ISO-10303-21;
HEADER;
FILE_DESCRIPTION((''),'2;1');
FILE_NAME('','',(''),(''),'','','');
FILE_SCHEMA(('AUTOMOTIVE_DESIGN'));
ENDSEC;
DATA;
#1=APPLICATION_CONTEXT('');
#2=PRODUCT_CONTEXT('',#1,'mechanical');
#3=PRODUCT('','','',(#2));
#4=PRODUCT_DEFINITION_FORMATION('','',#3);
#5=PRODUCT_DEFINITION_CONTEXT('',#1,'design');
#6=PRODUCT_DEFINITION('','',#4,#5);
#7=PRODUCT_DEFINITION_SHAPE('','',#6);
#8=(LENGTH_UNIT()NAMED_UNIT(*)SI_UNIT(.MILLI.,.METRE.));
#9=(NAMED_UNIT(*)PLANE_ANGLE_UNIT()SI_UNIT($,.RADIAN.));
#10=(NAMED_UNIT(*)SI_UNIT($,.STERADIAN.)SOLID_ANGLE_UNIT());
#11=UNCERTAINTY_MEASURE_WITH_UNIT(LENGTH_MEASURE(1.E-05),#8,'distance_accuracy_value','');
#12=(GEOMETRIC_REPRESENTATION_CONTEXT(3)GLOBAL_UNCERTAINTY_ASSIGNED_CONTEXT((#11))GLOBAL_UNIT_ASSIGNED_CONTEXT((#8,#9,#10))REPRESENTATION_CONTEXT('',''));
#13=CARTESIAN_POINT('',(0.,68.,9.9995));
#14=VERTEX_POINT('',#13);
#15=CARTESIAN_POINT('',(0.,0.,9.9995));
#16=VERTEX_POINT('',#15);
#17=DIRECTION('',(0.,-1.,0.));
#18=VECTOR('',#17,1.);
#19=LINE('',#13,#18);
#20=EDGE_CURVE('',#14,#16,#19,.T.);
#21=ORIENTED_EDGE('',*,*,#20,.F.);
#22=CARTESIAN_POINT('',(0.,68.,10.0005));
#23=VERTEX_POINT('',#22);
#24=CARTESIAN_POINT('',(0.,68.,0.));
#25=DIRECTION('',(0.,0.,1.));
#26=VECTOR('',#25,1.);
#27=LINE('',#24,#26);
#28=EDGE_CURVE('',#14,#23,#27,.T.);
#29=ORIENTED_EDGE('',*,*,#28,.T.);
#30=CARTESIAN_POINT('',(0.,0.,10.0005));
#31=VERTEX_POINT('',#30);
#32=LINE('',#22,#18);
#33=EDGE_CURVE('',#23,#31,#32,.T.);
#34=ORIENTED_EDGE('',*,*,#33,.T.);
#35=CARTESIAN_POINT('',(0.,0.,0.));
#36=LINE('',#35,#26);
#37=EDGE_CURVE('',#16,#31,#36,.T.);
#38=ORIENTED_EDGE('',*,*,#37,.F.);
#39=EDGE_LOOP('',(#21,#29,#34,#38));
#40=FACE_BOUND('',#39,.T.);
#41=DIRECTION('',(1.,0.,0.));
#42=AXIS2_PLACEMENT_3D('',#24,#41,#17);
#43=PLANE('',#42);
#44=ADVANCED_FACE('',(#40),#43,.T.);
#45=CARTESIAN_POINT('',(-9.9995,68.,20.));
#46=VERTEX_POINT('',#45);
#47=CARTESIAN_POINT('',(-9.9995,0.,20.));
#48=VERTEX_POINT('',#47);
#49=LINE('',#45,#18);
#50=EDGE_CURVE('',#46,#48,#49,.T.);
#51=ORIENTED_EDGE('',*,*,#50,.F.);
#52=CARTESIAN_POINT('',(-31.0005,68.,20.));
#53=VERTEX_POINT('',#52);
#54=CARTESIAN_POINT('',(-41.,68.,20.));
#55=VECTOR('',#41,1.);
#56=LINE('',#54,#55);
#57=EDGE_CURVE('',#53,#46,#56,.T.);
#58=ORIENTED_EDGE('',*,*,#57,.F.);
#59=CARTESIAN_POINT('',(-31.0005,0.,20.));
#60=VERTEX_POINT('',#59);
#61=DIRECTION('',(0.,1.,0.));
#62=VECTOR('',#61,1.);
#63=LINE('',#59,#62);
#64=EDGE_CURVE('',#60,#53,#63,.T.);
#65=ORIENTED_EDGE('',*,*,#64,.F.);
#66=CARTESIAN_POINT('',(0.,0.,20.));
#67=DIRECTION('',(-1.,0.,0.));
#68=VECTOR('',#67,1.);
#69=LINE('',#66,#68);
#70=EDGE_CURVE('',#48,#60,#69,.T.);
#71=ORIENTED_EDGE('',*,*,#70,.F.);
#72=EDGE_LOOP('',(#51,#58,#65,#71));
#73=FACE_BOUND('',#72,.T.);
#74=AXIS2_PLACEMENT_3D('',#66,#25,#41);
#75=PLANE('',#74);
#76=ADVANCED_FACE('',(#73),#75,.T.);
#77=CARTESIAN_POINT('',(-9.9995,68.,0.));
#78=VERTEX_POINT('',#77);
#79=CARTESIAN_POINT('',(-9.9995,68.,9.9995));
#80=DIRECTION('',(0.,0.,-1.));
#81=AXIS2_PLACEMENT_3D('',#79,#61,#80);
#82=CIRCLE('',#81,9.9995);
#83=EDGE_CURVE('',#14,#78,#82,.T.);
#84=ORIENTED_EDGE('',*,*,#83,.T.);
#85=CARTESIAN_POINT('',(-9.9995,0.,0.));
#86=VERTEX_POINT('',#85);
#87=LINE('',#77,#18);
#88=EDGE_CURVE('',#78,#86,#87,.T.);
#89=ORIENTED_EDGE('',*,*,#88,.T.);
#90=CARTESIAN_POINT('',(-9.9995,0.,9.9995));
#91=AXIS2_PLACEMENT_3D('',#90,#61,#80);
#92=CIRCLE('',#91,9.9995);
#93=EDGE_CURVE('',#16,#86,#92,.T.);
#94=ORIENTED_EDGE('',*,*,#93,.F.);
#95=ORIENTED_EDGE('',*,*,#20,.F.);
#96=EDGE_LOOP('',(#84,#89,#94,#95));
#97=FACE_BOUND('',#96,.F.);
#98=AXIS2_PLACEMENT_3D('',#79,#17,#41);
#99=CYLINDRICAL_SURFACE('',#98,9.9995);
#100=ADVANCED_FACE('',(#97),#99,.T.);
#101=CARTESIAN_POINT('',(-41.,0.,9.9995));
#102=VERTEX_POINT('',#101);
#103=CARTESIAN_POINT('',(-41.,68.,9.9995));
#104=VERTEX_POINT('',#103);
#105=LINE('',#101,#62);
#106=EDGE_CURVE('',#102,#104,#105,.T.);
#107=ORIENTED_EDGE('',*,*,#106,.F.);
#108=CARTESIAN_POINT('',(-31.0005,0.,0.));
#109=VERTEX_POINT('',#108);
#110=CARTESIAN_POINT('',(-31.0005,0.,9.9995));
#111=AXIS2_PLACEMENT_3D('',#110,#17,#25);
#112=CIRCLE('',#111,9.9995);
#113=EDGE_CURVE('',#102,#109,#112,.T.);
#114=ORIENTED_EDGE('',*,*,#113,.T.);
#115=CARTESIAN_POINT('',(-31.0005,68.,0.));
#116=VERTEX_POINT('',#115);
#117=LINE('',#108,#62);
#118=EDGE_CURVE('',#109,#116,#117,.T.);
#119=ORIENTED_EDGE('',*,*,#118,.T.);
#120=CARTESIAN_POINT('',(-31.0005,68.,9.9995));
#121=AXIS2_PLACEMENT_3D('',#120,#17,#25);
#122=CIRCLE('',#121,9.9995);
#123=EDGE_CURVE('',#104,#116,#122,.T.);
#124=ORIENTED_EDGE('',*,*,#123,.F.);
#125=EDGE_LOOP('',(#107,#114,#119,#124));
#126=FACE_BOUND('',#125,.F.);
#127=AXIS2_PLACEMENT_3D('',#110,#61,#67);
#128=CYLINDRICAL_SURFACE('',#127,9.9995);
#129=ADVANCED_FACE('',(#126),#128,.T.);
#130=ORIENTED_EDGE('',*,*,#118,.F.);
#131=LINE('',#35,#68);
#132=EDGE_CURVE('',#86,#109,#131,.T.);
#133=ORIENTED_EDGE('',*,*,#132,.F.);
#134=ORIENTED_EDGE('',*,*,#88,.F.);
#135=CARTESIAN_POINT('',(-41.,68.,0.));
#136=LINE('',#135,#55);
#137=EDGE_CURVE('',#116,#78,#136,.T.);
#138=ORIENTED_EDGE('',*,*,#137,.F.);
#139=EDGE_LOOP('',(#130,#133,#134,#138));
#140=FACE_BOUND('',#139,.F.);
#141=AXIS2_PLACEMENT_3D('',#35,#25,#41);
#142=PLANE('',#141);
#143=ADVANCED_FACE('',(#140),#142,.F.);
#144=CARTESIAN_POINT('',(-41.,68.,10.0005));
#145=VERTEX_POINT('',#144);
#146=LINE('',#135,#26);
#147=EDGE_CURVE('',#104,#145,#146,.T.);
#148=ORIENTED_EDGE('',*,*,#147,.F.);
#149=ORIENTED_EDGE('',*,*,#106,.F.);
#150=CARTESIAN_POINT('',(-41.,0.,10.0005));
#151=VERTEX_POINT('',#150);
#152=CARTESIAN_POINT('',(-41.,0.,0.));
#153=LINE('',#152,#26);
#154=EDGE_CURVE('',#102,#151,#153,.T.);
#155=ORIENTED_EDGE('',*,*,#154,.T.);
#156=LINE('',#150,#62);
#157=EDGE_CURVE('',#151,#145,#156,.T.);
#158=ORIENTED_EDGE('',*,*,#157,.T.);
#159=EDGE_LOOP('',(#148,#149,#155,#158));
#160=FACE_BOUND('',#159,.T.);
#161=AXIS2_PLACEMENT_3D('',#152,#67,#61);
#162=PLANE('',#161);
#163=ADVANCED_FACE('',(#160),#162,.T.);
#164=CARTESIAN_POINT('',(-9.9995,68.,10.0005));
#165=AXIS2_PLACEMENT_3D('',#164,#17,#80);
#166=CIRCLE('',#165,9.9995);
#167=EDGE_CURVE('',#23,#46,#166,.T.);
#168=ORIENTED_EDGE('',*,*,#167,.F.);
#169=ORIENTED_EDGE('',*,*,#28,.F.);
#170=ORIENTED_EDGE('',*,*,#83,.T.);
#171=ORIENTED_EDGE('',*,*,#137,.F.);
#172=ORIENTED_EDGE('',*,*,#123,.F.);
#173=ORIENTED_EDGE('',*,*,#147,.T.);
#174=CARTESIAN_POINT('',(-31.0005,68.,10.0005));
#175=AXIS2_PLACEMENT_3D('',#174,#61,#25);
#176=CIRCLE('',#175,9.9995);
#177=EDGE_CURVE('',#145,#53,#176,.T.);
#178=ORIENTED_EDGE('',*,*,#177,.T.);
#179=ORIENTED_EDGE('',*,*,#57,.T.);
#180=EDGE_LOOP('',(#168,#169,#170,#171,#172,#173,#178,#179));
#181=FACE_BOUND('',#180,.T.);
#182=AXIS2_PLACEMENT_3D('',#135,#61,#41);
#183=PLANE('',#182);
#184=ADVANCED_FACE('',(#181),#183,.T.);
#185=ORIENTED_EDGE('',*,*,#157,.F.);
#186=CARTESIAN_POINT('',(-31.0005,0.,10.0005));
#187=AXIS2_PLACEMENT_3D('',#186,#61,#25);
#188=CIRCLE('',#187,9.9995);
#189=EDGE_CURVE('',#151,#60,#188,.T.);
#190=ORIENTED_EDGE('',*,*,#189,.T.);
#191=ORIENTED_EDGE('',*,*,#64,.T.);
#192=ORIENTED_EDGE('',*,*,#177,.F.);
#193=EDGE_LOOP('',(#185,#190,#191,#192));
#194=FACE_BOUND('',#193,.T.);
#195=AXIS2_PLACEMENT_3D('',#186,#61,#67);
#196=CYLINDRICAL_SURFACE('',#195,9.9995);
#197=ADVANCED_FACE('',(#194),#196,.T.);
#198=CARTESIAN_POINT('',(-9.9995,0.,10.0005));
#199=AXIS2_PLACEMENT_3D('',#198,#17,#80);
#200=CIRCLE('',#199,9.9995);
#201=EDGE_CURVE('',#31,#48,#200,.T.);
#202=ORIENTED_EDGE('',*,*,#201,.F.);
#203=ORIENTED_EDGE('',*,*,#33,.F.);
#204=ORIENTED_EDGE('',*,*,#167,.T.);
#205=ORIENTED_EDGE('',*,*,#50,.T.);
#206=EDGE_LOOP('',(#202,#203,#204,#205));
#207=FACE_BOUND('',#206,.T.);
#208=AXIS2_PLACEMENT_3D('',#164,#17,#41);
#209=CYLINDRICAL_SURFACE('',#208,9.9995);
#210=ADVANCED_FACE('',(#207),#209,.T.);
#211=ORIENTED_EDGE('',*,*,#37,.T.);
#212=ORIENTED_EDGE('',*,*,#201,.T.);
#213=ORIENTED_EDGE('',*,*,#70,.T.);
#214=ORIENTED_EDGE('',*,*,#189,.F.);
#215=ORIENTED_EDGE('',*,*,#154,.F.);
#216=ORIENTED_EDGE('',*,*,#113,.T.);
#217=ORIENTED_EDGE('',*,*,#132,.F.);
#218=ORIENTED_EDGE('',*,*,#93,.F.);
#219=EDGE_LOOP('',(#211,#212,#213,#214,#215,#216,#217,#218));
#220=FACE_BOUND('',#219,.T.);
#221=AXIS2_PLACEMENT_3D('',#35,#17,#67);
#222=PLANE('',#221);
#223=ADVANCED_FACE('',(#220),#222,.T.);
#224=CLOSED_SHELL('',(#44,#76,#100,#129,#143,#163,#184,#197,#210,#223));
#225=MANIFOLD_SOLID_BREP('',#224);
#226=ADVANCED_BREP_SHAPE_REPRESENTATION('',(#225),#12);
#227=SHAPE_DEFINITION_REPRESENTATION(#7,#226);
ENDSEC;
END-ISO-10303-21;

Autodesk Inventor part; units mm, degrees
ref_plane "YZ Plane" through (0, 0, 0) normal (1, 0, 0) x (0, 1, 0)
ref_plane "XZ Plane" through (0, 0, 0) normal (0, 1, 0) x (-1, 0, 0)
ref_plane "XY Plane" through (0, 0, 0) normal (0, 0, 1) x (1, 0, 0)
sketch "Sketch1" plane through (0, 0, 0) normal (0, 0, 1) x (1, 0, 0)
  line L0 (0, 0) -> (-41, 0)
  line L1 (-41, 0) -> (-41, 68)
  line L2 (-41, 68) -> (0, 68)
  line L3 (0, 68) -> (0, 0)
  dimension "d0" = 41
  dimension "d1" = 68
extrude "Extrusion1" add sketch "Sketch1" along normal blind 20
fillet "Fillet1" radius 10 4 edges at (-41, 34, 20) (-41, 34, 0) (0, 34, 20) (0, 34, 0)
properties part number "bateria redonda"
